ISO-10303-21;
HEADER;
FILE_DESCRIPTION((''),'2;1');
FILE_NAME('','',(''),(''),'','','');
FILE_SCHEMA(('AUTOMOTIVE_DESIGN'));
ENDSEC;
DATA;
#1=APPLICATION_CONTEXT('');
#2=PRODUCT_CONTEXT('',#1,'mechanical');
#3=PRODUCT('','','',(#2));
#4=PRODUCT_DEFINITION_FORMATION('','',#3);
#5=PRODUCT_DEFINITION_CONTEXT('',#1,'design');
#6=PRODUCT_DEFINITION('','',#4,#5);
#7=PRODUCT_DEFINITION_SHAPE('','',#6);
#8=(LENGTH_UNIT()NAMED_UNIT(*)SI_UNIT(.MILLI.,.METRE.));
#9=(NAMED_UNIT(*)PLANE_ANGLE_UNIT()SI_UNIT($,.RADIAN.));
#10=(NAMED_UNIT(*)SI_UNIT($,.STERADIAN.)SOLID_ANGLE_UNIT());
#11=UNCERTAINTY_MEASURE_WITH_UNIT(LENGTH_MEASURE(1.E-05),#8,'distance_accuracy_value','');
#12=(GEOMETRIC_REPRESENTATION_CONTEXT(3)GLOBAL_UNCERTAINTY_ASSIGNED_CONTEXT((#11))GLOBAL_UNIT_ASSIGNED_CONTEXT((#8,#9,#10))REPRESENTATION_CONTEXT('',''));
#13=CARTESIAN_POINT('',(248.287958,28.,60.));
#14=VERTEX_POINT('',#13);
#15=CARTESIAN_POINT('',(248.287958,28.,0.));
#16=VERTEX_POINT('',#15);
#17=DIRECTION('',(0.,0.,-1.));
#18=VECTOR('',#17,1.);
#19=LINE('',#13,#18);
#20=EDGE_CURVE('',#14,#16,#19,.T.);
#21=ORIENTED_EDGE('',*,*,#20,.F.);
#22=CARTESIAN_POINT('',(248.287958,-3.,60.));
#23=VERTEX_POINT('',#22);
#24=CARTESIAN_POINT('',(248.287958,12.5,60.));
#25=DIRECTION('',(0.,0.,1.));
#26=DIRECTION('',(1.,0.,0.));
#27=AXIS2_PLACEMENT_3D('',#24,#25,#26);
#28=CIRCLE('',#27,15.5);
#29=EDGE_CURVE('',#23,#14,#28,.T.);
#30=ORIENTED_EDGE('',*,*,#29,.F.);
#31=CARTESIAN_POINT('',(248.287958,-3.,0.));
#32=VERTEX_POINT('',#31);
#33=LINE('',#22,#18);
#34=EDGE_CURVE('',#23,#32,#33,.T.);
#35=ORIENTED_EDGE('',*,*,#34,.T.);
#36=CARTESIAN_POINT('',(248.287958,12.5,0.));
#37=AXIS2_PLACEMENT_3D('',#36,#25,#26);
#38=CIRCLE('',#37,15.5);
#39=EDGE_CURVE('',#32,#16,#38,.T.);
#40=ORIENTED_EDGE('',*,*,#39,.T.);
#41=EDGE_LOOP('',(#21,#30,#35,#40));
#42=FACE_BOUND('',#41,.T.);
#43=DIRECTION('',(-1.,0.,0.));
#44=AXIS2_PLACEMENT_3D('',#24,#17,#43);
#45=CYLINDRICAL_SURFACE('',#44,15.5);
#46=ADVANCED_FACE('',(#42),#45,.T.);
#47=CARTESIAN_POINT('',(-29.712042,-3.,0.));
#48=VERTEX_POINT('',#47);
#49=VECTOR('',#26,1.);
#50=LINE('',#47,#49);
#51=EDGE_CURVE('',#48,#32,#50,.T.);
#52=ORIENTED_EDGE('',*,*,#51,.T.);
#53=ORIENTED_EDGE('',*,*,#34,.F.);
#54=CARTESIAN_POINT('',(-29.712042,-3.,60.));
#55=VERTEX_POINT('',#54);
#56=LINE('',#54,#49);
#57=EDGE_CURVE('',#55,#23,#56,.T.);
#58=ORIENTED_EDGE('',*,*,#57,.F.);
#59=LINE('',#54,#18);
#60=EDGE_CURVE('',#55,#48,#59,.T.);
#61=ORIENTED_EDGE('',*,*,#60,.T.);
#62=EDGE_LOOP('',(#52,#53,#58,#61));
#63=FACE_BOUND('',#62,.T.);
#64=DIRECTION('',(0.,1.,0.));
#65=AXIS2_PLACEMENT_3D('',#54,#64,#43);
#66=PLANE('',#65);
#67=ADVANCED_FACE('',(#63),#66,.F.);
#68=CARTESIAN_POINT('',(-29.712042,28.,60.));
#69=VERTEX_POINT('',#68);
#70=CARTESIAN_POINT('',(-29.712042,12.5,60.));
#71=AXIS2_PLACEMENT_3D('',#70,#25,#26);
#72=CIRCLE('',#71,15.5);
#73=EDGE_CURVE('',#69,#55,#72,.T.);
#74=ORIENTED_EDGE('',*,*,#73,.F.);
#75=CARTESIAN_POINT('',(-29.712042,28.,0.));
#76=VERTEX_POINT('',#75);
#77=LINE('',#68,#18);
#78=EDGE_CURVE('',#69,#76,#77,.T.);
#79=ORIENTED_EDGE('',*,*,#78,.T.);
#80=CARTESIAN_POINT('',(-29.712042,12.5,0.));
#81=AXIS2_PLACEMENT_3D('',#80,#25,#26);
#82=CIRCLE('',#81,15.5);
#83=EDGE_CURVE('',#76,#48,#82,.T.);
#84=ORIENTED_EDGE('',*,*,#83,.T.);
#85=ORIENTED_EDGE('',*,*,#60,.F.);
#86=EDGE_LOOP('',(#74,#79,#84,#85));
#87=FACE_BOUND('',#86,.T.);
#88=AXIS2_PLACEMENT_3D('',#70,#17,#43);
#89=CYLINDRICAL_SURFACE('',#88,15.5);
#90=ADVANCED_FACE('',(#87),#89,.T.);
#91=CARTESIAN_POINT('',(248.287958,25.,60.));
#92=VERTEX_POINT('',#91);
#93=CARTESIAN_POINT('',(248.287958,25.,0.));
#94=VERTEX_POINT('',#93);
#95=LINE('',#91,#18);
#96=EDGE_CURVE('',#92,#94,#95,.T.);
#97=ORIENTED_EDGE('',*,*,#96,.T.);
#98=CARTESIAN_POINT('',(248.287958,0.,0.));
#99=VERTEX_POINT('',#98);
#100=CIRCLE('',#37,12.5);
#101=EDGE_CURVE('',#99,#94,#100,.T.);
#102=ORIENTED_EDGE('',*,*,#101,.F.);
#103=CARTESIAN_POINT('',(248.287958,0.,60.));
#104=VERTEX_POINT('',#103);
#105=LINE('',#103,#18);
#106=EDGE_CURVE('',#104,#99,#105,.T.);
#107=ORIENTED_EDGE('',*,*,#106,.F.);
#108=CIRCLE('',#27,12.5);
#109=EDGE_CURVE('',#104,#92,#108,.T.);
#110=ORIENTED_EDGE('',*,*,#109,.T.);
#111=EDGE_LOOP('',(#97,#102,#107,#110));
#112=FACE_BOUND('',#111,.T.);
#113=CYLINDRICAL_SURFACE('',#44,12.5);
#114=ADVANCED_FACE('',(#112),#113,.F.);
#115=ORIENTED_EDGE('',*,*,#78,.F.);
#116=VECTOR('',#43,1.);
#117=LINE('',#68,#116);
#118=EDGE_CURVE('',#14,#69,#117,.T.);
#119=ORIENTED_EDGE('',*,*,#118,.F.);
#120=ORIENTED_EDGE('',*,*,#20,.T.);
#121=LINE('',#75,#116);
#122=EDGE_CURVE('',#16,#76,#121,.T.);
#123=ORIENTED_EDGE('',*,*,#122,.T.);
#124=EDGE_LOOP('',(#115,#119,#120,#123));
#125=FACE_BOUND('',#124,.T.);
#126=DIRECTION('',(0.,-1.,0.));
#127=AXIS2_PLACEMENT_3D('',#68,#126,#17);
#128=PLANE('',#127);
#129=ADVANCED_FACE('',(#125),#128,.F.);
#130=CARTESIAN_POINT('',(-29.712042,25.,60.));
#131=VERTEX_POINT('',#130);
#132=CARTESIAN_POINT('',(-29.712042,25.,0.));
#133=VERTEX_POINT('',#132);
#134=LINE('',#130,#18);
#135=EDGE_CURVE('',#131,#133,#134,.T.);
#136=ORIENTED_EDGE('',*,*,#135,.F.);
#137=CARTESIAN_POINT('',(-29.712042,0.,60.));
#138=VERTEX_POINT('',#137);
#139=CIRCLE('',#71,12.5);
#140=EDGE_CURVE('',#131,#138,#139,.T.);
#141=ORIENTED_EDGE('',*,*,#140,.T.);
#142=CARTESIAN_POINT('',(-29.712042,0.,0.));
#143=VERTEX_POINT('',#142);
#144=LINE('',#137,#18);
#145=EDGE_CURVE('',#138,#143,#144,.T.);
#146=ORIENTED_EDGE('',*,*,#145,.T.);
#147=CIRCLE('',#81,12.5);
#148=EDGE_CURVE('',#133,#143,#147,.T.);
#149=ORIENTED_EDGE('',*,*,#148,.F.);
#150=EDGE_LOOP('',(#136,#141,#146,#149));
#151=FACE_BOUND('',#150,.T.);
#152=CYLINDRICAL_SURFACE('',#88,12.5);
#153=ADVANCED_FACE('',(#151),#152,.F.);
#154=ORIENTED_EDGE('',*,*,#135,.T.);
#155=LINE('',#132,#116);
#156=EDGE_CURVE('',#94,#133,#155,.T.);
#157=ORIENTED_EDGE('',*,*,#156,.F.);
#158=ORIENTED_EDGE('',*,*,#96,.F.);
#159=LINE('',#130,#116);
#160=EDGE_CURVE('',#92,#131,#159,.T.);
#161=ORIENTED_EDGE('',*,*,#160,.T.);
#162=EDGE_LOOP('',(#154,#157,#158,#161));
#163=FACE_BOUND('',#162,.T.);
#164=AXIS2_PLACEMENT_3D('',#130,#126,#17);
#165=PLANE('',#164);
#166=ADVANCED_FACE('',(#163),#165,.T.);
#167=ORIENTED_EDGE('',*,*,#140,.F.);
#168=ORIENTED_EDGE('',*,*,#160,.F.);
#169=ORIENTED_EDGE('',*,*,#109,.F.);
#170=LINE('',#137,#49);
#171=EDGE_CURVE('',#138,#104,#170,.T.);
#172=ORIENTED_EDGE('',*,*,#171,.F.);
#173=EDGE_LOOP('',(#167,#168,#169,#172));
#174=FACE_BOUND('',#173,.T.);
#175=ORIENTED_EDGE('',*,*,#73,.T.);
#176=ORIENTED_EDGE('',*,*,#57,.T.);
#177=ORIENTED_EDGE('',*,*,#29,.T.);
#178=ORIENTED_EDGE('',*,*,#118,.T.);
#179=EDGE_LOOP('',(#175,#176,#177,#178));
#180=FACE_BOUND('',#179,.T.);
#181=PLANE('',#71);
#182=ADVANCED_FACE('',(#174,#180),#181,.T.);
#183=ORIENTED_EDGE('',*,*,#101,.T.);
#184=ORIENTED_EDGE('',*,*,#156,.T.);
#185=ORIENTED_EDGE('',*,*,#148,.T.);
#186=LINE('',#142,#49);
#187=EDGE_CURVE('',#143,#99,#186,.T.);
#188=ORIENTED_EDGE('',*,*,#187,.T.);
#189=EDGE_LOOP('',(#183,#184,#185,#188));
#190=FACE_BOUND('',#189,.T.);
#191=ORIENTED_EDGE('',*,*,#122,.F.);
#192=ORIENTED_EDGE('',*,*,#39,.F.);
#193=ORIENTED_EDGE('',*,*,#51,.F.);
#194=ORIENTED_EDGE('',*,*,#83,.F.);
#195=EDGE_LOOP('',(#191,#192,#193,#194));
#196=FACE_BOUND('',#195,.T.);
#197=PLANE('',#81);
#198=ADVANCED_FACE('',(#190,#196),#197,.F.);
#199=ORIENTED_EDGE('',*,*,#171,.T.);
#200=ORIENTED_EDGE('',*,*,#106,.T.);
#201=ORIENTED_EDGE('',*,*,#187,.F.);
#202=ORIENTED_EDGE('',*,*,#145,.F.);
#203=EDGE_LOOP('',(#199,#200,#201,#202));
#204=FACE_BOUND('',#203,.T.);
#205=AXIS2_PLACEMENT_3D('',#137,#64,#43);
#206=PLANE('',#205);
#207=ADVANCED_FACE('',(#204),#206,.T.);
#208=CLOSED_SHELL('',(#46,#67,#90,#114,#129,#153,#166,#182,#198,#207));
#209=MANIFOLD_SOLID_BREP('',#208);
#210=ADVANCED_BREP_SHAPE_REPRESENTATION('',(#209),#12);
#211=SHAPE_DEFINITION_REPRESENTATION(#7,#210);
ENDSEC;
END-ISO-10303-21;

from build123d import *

# Parameters (mm, degrees)
SALIENTE_EXTRUIR2_DEPTH = 60


with BuildPart() as part:
    # Croquis2 → Saliente-Extruir2 (new body)
    with BuildSketch(Plane.XY):
        with BuildLine():
            Line((-29.712041885, 28), (248.287958115, 28))
            ThreePointArc((248.287958115, 28), (263.787958115, 12.5), (248.287958115, -3))
            Line((248.287958115, -3), (-29.712041885, -3))
            ThreePointArc((-29.712041885, -3), (-45.212041885, 12.5), (-29.712041885, 28))
        make_face()
        with BuildLine():
            Line((-29.712041885, 25), (248.287958115, 25))
            ThreePointArc((248.287958115, 25), (260.787958115, 12.5), (248.287958115, 0))
            Line((248.287958115, 0), (-29.712041885, 0))
            ThreePointArc((-29.712041885, 0), (-42.212041885, 12.5), (-29.712041885, 25))
        make_face(mode=Mode.SUBTRACT)
    extrude(amount=SALIENTE_EXTRUIR2_DEPTH)


solid = part.part
